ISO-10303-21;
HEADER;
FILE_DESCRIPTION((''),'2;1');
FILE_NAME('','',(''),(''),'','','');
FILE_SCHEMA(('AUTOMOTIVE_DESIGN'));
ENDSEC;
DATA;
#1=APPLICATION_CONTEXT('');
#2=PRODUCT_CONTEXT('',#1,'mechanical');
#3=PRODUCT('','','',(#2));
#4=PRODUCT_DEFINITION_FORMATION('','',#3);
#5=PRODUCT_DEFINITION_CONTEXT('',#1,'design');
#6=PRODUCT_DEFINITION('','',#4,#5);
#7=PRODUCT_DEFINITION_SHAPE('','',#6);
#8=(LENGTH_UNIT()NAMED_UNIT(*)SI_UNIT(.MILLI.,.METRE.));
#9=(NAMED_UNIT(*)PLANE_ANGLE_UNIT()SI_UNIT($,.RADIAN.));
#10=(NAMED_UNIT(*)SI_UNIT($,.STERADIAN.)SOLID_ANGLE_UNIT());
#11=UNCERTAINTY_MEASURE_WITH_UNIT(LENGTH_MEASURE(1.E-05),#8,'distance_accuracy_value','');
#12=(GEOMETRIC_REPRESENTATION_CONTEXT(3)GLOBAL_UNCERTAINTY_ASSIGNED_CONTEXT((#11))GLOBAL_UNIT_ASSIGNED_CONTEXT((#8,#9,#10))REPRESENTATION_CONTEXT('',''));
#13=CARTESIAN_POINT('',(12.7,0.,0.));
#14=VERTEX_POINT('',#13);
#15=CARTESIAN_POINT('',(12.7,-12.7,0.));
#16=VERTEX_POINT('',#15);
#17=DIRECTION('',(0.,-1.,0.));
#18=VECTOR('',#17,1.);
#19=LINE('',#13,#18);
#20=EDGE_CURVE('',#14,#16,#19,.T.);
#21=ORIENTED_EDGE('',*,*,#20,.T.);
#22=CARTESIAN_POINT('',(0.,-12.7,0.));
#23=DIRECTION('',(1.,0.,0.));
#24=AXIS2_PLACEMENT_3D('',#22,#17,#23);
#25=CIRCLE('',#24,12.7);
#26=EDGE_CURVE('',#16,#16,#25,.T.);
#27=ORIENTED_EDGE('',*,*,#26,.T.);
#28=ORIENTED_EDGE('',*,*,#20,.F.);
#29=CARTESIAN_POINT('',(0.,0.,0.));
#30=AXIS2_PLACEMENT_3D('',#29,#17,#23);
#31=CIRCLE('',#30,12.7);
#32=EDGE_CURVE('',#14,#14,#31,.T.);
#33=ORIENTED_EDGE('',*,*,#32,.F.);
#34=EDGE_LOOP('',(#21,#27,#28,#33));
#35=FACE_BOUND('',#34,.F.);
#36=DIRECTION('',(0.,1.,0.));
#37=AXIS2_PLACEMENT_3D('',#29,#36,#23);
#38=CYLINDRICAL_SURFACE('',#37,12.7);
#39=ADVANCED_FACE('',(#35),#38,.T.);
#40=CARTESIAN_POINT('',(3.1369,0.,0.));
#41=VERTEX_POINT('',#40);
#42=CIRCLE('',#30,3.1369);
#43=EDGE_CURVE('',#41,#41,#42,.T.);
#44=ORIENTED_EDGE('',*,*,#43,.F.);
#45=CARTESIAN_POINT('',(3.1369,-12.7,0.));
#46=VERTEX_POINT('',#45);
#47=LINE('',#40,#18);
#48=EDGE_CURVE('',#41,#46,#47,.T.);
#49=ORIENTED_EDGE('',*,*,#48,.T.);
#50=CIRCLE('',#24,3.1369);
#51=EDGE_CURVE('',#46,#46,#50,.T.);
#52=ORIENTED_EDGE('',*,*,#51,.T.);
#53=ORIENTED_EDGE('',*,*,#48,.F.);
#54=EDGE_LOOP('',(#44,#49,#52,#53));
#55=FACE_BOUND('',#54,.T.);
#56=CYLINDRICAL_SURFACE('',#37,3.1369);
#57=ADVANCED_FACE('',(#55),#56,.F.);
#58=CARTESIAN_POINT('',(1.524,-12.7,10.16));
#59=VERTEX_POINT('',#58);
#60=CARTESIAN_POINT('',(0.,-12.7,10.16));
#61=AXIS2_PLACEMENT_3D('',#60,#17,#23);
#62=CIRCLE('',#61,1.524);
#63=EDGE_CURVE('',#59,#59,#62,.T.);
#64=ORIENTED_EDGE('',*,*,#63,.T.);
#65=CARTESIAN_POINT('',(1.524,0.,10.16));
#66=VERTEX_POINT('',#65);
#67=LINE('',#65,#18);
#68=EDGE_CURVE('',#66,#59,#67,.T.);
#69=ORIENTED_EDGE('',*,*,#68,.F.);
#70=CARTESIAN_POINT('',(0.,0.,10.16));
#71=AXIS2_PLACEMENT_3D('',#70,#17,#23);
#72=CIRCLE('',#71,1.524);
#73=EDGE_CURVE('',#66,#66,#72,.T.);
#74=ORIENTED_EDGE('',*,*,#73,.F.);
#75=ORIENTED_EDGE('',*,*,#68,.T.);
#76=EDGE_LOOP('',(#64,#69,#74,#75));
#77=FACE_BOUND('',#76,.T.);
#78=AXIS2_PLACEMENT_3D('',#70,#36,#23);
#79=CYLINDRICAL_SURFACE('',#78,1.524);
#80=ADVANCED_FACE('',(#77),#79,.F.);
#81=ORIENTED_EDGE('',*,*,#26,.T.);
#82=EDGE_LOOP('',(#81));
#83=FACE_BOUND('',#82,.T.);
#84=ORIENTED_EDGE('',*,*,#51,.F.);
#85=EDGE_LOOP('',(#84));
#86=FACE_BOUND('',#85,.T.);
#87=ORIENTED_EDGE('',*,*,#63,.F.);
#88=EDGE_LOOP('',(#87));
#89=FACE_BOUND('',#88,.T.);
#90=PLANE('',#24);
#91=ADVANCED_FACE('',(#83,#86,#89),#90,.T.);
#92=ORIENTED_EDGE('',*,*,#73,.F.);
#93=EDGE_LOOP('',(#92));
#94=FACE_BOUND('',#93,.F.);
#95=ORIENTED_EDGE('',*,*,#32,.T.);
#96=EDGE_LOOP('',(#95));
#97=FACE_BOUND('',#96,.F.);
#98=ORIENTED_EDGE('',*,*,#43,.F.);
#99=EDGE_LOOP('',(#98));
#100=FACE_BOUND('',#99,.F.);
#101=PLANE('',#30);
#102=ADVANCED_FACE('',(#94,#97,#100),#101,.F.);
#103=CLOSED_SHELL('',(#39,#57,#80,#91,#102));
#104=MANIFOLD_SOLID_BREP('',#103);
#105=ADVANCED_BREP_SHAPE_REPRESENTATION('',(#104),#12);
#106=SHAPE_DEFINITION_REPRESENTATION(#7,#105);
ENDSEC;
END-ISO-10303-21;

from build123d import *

# Parameters (mm, degrees)
F0_R     = 12.7
F0_R_2   = 3.1369
F0_R_3   = 1.524
F1_DEPTH = 12.7


with BuildPart() as f1:
    # F0 (on Front) → F1 (new body)
    with BuildSketch(Plane.XZ):
        Circle(F0_R)
        Circle(F0_R_2, mode=Mode.SUBTRACT)
        with Locations((0, 10.16)):
            Circle(F0_R_3, mode=Mode.SUBTRACT)
    extrude(amount=F1_DEPTH)


solid = f1.part
